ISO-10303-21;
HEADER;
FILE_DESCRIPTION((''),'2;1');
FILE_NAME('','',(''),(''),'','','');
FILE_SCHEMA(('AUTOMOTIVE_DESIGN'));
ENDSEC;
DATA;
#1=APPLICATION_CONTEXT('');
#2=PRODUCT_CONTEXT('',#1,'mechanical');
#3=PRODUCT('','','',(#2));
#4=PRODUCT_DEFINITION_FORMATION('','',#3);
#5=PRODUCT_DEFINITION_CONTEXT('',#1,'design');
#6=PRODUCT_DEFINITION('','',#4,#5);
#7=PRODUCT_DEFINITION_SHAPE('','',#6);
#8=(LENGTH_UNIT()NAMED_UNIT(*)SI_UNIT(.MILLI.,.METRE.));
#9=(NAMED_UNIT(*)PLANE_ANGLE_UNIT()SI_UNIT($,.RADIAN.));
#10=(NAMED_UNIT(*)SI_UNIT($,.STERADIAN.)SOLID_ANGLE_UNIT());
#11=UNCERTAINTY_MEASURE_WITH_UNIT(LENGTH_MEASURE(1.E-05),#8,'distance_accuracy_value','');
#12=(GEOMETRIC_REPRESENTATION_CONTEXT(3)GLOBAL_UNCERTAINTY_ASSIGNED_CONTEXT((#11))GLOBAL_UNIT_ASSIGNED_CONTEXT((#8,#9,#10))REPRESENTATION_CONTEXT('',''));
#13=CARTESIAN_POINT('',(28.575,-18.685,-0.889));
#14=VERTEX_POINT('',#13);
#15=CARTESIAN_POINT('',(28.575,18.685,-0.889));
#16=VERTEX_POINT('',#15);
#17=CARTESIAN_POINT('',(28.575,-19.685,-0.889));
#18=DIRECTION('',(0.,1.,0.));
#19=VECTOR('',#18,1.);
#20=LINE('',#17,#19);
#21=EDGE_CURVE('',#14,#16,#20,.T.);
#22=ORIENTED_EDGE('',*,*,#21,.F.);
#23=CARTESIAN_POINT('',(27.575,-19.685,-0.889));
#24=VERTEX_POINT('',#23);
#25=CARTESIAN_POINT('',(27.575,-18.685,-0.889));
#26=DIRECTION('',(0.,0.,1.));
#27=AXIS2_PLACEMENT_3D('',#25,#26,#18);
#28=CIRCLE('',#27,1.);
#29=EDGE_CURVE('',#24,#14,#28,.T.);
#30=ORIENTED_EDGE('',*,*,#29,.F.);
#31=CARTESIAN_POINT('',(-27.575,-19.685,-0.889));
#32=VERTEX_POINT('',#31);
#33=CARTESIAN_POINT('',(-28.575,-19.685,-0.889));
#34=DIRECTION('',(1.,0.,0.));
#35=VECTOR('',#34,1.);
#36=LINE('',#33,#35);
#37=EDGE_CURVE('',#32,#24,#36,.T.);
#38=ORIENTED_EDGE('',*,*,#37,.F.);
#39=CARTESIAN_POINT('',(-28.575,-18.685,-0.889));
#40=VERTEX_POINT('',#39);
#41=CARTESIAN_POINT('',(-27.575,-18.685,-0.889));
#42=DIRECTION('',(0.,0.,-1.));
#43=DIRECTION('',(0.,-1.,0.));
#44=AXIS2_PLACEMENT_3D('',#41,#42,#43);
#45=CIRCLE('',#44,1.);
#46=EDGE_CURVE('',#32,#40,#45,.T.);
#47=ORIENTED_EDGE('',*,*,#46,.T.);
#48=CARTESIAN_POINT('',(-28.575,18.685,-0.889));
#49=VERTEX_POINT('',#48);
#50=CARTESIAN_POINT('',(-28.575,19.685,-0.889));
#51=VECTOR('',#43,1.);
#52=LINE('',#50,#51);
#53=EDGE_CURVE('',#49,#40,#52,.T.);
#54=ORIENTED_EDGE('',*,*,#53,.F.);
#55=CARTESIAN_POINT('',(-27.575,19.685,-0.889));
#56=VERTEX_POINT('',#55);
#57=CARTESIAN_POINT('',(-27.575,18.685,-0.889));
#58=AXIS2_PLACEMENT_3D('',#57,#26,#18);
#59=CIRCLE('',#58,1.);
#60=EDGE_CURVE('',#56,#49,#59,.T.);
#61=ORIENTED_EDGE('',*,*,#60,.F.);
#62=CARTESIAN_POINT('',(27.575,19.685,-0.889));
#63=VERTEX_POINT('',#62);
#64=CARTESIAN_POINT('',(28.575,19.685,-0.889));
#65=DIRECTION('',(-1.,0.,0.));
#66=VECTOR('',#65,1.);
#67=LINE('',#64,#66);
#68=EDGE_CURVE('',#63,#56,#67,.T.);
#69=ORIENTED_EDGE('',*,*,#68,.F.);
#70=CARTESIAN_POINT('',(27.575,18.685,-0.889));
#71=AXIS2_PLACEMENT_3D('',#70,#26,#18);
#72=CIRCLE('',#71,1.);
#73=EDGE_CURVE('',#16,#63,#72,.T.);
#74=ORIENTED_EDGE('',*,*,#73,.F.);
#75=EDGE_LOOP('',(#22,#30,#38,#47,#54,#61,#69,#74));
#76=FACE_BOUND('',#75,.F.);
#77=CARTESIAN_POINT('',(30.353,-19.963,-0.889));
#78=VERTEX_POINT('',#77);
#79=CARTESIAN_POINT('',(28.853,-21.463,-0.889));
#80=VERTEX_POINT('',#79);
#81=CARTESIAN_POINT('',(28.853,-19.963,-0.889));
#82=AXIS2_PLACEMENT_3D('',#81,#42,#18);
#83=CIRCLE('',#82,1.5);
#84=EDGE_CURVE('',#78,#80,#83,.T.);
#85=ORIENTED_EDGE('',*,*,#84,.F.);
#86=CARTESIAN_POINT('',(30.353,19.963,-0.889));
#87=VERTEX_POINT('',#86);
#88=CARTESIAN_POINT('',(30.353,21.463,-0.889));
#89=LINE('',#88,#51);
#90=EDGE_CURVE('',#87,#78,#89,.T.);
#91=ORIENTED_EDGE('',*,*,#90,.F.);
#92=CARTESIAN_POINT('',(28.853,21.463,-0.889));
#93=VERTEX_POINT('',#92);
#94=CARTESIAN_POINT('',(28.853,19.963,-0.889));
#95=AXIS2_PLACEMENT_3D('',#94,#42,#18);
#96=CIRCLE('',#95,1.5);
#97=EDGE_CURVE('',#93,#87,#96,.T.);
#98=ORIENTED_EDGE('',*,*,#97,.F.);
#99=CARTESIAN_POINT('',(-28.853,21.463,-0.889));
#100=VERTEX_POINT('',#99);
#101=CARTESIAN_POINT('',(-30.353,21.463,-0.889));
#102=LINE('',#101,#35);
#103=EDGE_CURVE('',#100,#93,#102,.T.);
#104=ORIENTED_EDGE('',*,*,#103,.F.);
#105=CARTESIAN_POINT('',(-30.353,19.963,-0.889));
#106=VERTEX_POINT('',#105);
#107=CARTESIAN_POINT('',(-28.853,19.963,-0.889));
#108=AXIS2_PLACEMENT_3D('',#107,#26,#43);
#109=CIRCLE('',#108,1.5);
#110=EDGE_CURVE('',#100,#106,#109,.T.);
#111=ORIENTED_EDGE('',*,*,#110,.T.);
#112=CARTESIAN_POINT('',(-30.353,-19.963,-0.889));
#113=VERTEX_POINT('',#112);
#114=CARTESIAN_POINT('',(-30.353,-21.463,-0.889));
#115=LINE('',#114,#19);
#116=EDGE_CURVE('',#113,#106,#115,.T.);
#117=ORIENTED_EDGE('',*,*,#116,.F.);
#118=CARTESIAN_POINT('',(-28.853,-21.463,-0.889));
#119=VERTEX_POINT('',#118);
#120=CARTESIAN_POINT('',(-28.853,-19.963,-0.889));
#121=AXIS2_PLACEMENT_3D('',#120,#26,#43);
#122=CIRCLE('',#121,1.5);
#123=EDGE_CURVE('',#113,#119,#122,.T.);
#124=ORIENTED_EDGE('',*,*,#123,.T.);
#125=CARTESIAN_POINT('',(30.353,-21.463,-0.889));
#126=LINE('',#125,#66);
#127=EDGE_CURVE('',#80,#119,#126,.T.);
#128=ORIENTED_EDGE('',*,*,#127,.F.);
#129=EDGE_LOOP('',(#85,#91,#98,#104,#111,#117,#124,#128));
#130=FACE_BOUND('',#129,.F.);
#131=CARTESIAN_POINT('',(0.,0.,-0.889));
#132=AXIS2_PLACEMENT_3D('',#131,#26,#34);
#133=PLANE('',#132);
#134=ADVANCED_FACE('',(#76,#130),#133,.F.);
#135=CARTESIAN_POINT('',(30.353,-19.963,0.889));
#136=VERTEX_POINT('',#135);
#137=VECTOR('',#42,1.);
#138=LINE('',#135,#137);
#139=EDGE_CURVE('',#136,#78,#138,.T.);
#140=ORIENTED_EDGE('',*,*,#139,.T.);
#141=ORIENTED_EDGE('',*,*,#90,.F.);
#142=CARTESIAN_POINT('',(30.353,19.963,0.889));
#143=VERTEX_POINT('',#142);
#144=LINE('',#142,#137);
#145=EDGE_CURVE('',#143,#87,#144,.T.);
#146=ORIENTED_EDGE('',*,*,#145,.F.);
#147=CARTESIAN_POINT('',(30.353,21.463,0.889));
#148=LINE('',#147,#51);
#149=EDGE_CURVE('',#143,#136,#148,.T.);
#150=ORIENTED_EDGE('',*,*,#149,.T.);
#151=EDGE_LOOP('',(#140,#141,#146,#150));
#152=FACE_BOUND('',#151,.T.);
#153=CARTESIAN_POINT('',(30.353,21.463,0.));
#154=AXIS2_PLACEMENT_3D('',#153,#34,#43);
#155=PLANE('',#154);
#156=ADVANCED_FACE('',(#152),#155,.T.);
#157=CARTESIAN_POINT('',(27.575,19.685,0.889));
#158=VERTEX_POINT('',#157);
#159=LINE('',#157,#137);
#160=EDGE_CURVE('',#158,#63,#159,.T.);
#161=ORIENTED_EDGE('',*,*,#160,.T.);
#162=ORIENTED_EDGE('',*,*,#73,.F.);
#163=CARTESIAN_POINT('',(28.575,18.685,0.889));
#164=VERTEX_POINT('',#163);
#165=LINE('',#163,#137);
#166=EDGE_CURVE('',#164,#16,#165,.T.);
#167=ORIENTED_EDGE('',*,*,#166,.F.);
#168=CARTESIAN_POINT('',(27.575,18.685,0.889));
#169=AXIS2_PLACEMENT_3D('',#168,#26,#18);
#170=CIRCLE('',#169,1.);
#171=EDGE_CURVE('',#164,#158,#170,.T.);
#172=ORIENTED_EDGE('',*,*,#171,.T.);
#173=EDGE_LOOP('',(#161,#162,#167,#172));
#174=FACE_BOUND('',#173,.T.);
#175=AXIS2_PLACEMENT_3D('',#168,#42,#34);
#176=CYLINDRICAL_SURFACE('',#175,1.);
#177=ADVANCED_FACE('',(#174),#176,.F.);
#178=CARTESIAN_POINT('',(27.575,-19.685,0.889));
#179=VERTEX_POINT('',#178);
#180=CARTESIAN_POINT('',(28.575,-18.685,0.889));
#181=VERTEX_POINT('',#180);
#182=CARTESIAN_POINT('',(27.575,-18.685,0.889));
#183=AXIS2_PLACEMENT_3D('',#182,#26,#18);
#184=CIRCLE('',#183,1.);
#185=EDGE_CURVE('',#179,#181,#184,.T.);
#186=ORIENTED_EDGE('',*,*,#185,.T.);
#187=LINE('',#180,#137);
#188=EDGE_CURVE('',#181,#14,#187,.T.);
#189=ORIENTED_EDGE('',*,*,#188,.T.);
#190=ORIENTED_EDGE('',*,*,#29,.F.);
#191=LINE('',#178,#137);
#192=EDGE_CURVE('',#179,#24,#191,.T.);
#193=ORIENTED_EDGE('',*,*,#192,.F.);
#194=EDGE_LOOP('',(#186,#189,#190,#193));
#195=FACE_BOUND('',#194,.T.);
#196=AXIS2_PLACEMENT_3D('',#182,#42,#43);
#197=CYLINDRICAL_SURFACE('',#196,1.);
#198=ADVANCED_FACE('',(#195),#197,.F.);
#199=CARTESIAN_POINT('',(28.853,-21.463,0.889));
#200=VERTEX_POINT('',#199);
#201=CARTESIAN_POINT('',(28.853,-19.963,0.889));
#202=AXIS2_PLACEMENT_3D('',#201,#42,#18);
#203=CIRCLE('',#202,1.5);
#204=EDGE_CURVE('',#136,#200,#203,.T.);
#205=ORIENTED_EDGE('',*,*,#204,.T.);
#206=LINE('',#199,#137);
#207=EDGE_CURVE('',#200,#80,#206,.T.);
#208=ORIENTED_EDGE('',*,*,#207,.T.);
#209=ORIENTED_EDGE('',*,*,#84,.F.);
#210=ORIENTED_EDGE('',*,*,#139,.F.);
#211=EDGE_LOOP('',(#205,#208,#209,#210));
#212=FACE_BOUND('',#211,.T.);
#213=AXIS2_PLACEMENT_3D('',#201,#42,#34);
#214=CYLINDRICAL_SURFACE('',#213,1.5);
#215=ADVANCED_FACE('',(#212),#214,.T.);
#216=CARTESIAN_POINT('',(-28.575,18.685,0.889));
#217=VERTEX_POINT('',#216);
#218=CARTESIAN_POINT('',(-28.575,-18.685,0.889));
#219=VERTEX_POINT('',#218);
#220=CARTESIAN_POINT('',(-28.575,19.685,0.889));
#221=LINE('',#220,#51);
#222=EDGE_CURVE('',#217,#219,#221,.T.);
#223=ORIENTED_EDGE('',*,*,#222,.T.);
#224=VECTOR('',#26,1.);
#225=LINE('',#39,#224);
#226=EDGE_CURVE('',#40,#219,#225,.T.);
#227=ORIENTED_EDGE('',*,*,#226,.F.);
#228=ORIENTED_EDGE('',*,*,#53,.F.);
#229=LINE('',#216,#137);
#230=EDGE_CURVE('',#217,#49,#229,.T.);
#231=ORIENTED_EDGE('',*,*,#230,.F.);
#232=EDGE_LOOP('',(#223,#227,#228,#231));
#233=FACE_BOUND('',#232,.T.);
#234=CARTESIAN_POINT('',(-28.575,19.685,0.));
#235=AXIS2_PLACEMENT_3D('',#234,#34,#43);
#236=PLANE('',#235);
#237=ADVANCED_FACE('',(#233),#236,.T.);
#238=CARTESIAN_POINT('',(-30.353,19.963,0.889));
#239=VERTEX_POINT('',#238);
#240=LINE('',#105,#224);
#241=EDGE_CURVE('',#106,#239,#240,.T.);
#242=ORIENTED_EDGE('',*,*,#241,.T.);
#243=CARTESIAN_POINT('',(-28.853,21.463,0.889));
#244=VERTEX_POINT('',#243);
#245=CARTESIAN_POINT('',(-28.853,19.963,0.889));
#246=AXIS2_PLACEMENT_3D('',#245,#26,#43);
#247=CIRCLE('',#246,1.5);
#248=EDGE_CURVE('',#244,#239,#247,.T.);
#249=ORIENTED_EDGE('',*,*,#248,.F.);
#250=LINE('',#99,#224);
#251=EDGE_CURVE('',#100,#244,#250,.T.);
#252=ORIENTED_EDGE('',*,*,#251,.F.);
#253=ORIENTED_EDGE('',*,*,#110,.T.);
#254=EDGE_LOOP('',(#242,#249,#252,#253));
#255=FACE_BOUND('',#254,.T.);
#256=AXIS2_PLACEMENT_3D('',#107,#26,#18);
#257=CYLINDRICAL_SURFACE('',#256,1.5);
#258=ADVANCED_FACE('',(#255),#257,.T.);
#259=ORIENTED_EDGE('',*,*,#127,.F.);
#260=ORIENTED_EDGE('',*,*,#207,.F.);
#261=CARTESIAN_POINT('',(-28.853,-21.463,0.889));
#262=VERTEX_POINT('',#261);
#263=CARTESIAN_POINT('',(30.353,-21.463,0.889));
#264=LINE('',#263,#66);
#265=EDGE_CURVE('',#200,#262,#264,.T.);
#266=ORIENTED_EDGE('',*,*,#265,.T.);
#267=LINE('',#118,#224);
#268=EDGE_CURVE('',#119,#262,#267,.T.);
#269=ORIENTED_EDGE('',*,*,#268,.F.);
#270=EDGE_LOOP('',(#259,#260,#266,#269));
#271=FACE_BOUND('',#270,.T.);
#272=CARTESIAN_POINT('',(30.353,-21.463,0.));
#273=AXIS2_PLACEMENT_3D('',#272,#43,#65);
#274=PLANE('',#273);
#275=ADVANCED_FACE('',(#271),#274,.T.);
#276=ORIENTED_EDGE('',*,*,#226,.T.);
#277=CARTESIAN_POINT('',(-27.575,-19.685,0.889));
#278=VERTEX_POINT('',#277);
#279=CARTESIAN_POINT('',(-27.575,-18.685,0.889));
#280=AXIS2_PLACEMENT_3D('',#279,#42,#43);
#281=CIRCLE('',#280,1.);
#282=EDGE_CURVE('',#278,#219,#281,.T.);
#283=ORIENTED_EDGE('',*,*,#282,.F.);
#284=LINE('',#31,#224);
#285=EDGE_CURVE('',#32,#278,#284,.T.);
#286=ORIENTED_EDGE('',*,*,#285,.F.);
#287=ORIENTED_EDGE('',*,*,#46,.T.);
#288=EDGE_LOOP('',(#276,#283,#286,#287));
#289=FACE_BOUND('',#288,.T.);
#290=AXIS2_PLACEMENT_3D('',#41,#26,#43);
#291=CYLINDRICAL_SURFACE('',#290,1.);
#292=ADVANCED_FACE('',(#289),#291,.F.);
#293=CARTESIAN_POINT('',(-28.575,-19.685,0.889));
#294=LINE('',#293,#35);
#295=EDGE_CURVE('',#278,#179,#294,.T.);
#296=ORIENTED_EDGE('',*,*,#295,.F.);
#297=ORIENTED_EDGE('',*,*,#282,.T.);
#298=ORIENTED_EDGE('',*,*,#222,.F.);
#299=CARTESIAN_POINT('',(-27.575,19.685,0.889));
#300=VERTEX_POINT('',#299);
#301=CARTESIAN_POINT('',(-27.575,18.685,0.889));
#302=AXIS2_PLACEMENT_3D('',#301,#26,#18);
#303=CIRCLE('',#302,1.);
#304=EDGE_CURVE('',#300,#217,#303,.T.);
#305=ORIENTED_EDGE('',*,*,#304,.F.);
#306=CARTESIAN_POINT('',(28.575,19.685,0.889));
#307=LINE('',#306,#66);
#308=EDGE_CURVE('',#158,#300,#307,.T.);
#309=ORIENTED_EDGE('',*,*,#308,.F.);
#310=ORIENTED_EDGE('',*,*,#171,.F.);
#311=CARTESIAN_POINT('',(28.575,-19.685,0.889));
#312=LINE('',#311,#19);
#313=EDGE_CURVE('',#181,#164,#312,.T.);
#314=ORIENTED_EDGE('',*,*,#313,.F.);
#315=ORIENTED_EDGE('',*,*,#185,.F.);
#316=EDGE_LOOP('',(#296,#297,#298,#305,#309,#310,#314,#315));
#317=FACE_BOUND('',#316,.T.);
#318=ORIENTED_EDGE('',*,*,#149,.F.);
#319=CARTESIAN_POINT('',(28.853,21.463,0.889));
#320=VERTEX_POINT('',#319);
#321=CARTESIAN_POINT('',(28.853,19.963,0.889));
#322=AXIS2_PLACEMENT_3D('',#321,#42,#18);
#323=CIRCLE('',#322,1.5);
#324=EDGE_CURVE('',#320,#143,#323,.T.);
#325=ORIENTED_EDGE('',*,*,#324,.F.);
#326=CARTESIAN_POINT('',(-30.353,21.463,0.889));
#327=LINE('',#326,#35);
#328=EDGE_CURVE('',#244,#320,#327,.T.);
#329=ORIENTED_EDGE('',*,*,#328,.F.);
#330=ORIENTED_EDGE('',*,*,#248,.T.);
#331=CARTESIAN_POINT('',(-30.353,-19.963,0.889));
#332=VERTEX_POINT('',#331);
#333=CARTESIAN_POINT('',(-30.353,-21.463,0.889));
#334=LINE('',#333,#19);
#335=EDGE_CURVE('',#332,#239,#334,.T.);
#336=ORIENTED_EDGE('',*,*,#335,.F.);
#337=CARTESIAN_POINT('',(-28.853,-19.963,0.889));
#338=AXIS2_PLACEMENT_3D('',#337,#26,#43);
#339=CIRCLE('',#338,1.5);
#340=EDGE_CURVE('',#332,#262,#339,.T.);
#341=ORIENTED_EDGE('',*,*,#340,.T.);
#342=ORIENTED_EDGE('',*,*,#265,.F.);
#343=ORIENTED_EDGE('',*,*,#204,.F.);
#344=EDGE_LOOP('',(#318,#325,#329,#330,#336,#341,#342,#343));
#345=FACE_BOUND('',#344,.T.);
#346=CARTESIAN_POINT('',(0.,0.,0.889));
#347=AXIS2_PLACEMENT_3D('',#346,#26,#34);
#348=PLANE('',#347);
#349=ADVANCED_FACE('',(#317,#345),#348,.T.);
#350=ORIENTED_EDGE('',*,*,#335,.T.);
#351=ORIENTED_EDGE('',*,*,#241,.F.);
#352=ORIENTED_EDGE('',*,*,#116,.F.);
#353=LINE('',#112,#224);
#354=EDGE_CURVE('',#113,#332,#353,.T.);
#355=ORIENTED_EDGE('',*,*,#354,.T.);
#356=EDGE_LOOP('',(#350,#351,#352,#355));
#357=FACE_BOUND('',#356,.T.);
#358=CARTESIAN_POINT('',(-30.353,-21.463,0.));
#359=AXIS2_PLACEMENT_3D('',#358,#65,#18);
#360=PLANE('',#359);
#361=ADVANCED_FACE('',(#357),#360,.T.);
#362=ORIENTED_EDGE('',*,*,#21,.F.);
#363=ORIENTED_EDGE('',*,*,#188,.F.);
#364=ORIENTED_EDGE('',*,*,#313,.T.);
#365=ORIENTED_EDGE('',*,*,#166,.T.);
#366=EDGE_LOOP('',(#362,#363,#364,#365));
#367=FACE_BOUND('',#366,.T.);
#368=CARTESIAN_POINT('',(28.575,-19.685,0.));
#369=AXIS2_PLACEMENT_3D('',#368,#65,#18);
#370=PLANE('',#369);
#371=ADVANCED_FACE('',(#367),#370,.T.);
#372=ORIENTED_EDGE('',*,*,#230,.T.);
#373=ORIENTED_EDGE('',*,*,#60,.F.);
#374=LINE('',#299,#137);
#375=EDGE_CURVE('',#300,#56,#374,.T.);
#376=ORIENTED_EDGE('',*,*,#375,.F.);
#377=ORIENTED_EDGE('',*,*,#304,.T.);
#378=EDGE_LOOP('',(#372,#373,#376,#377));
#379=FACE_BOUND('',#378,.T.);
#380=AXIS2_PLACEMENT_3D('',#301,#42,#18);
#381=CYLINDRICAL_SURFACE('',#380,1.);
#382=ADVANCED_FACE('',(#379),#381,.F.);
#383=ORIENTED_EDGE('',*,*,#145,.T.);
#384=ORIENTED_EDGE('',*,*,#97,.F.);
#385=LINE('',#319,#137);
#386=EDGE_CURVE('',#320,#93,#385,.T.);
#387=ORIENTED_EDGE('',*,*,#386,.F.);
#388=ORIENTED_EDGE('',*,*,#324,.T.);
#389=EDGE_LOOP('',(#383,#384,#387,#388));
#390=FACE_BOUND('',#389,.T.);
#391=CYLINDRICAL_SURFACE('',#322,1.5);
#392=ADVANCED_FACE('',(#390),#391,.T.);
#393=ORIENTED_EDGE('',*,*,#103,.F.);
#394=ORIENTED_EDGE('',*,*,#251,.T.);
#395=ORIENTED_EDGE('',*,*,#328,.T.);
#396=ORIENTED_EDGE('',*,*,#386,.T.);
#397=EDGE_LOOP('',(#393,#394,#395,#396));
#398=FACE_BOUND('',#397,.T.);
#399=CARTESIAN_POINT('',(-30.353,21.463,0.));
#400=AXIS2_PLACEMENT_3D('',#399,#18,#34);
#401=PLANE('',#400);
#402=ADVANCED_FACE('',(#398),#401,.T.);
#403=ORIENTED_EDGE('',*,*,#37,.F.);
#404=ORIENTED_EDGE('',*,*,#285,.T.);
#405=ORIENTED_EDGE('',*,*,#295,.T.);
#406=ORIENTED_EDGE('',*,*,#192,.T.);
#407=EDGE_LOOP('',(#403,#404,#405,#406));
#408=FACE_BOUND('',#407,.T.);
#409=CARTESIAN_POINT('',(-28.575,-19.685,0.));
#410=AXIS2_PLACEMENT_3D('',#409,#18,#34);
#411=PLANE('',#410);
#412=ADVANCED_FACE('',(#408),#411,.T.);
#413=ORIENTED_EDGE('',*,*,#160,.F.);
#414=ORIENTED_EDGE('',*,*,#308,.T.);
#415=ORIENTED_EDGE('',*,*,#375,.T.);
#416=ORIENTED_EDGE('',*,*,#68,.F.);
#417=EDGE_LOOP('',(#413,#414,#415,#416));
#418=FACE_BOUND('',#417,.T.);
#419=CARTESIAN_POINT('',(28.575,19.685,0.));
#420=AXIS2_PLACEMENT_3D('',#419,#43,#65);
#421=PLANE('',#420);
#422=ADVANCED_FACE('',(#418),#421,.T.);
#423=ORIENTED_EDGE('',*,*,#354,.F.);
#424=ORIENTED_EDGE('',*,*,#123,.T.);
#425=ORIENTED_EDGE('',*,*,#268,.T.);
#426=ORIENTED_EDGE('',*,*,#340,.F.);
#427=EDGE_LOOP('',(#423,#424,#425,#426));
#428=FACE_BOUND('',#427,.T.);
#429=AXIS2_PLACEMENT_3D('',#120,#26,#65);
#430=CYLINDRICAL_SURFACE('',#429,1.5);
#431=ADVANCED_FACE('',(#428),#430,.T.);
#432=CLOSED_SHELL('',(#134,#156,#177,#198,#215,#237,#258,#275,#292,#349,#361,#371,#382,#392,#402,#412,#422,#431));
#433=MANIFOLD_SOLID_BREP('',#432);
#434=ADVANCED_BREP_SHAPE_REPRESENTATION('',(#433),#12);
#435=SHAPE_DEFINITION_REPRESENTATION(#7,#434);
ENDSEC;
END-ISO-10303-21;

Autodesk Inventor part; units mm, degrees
ref_plane "YZ Plane" through (0, 0, 0) normal (1, 0, 0) x (0, 1, 0)
ref_plane "XZ Plane" through (0, 0, 0) normal (0, 1, 0) x (-1, 0, 0)
ref_plane "XY Plane" through (0, 0, 0) normal (0, 0, 1) x (1, 0, 0)
sketch "Sketch1" plane through (0, 0, 0) normal (0, 0, 1) x (1, 0, 0)
  line L0 (-28.575, -19.685) -> (28.575, -19.685)
  line L1 (28.575, -19.685) -> (28.575, 19.685)
  line L2 (28.575, 19.685) -> (-28.575, 19.685)
  line L3 (-28.575, 19.685) -> (-28.575, -19.685)
  line L4 (-28.575, -19.685) -> (28.575, 19.685) construction
  line L5 (28.575, -19.685) -> (-28.575, 19.685) construction
  line L6 (-30.353, 21.463) -> (30.353, 21.463)
  line L7 (30.353, 21.463) -> (30.353, -21.463)
  line L8 (30.353, -21.463) -> (-30.353, -21.463)
  line L9 (-30.353, -21.463) -> (-30.353, 21.463)
  point P0 (0, 0)
  dimension "d0" = 57.15
  dimension "d1" = 39.37
  dimension "d2" = 1.778
extrude "Extrusion1" add sketch "Sketch1" along normal mid plane 1.778
fillet "Fillet1" radius 1 4 edges at (-28.575, -19.685, 0) (-28.575, 19.685, 0) (28.575, 19.685, 0) (28.575, -19.685, 0)
fillet "Fillet1" radius 1.5 4 edges at (-30.353, 21.463, 0) (-30.353, -21.463, 0) (30.353, -21.463, 0) (30.353, 21.463, 0)
properties part number "O-RING DASH 036 SQUARE"
